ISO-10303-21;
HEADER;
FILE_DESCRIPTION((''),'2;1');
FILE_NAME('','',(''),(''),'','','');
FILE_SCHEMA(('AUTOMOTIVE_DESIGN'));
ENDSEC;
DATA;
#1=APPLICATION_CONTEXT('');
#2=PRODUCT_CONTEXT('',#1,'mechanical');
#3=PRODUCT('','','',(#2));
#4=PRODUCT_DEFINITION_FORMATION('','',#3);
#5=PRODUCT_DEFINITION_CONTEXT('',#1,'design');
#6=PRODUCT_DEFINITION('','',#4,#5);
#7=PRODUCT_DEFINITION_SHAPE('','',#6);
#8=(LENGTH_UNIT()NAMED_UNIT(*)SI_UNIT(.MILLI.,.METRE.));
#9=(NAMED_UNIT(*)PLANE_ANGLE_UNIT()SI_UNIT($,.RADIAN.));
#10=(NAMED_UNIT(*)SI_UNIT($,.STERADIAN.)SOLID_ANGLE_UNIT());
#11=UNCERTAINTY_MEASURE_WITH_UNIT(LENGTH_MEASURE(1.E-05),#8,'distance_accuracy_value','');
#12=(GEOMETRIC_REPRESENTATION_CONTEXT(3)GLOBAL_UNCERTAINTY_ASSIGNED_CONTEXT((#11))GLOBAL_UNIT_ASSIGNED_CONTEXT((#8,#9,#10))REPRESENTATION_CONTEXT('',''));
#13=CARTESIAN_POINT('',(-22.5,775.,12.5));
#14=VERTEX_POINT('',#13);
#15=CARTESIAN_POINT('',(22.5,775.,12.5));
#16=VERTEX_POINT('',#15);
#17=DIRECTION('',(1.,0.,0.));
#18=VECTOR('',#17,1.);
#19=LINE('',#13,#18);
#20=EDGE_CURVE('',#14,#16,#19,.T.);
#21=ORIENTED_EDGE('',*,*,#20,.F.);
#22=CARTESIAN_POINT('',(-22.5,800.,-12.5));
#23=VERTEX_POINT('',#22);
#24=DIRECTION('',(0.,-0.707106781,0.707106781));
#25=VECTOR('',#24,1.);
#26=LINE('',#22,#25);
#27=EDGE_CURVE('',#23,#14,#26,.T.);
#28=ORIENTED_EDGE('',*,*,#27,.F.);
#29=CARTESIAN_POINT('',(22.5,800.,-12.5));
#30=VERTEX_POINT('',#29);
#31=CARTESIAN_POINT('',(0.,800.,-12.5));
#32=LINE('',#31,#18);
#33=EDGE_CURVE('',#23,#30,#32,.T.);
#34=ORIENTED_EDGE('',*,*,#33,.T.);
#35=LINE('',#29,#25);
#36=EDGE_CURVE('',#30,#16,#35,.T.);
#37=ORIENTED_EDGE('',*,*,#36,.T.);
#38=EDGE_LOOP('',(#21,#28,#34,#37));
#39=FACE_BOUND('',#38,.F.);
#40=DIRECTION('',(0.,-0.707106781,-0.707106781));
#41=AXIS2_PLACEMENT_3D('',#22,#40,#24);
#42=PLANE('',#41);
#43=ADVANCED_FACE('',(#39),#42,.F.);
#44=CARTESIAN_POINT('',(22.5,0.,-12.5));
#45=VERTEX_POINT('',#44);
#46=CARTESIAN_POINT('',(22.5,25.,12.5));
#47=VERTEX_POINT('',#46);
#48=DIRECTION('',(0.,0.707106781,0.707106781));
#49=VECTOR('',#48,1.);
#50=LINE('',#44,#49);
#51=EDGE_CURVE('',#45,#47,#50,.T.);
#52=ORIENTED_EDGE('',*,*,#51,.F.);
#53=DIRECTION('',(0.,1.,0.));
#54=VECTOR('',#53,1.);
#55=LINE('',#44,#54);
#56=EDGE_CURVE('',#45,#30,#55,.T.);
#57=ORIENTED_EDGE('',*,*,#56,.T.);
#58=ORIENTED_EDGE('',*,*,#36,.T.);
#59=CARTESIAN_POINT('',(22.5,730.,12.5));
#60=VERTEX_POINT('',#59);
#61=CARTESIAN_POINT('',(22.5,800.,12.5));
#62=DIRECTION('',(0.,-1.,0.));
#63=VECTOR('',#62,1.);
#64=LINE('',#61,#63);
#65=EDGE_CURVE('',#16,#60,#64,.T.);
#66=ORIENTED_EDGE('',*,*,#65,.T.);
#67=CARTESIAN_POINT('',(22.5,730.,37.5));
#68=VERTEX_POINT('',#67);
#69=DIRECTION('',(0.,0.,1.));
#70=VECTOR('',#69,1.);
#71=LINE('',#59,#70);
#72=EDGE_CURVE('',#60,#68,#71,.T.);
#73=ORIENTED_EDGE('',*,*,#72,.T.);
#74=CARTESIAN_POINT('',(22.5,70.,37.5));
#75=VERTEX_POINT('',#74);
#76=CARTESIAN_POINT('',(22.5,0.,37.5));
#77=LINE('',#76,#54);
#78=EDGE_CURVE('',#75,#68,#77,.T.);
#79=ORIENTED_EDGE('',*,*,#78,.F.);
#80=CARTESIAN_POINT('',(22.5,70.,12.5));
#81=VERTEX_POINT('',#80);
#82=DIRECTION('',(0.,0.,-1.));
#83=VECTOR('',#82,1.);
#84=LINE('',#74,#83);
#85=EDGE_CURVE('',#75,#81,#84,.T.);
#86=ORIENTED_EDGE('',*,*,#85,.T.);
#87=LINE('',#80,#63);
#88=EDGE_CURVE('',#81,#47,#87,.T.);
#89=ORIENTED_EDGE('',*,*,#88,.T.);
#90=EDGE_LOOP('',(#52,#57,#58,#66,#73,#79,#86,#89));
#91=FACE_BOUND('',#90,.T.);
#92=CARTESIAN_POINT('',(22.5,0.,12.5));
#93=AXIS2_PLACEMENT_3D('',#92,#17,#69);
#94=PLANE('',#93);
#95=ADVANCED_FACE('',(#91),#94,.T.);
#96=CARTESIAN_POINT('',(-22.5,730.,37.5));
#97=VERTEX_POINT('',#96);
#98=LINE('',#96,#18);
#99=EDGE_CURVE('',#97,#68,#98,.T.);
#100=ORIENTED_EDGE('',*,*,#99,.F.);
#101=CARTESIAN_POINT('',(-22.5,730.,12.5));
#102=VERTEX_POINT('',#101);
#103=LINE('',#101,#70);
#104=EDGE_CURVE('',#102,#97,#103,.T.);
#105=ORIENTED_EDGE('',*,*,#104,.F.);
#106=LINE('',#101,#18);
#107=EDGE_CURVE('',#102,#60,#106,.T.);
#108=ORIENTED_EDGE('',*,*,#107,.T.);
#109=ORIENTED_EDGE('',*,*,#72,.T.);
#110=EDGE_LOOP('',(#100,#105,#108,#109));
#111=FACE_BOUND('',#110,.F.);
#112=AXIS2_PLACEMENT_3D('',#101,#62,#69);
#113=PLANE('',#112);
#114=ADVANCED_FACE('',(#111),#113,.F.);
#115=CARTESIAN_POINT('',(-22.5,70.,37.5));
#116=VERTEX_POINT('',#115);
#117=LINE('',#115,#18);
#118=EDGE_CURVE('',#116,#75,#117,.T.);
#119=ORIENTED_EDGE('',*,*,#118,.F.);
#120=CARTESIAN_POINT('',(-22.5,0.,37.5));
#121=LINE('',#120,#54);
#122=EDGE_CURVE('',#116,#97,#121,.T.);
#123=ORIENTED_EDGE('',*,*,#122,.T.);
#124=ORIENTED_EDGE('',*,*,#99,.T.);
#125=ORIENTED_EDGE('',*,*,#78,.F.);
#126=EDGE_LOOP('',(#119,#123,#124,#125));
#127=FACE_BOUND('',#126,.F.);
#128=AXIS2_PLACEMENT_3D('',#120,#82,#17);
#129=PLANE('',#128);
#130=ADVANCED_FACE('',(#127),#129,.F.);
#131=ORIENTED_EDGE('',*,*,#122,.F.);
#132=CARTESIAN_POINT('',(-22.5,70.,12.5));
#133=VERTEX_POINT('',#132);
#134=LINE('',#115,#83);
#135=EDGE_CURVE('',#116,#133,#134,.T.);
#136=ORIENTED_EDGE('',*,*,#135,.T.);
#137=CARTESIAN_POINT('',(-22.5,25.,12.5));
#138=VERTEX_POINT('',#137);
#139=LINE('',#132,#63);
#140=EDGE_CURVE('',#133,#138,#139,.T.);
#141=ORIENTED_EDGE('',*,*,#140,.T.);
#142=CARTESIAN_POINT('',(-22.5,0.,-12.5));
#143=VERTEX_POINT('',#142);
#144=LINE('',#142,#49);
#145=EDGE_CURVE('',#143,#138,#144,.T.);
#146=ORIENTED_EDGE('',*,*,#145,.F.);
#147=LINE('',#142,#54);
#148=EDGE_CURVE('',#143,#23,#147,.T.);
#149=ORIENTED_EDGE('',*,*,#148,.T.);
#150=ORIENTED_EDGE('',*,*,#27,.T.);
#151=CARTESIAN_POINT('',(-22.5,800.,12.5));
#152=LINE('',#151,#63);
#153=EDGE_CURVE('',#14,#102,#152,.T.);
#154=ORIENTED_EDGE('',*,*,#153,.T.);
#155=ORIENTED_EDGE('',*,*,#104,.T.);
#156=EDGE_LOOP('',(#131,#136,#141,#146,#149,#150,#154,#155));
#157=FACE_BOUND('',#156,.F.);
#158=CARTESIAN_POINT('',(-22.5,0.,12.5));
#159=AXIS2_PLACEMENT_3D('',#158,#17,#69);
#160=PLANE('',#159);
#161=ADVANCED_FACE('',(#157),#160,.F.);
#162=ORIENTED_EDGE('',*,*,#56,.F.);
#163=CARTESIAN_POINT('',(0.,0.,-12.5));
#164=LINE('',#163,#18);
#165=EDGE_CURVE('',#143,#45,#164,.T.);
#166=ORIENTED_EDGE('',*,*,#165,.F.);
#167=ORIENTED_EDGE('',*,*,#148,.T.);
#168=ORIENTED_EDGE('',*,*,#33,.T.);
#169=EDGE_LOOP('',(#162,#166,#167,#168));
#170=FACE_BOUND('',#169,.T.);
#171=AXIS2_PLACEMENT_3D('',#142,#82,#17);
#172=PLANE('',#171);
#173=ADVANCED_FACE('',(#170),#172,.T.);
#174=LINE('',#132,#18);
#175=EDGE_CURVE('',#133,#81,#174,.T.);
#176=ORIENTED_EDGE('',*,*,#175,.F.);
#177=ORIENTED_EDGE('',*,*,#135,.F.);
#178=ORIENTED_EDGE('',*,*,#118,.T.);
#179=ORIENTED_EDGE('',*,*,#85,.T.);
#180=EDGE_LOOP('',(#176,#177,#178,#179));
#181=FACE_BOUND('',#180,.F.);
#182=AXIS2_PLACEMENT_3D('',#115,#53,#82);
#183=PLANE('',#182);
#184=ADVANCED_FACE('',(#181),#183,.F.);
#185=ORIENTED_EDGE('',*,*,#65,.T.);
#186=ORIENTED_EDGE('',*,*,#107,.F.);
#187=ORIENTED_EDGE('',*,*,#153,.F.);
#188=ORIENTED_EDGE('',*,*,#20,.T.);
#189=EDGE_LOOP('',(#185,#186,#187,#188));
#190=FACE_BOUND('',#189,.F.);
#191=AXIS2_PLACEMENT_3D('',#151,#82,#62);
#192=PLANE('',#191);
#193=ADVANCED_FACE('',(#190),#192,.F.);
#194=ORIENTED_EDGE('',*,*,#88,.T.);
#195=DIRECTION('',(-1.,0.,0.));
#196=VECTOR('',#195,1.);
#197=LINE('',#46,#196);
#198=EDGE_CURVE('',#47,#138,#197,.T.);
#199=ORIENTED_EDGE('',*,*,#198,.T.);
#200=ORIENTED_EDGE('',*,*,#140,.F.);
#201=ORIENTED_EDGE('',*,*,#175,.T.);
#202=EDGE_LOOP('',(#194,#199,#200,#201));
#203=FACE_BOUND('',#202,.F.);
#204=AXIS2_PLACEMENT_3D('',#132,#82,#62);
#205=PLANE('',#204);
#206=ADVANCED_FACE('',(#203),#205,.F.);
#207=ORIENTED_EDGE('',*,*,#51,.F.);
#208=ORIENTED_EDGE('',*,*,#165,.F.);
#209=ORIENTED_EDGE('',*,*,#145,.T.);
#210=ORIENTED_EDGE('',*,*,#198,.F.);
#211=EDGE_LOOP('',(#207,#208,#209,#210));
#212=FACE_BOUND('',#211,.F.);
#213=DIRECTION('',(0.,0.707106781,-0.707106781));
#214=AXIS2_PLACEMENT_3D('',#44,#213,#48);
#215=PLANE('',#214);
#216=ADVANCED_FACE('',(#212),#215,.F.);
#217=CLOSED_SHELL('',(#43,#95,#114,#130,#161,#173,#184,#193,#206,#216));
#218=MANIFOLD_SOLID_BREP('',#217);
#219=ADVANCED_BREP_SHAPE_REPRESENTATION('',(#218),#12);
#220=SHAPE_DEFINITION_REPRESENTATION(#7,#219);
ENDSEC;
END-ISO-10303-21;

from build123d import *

# Parameters (mm, degrees)
F0_W      = 45
F0_H      = 25
F1_DEPTH  = 800
F3_DEPTH  = 45
F5_DEPTH  = 45
F6_W      = 45
F6_H      = 25
F7_DEPTH  = 800
F9_DEPTH  = 45
F11_DEPTH = 45


with BuildPart() as f1:
    # F0 (on Front) → F1 (new body)
    with BuildSketch(Plane.XZ):
        Rectangle(F0_W, F0_H)
    extrude(amount=-F1_DEPTH)

    # F2 (on face) → F3 (cut)
    with BuildSketch(Plane.YZ.offset(22.5)):
        Polygon((0, 12.5), (0, -12.5), (25, 12.5), align=None)
    extrude(amount=-F3_DEPTH, mode=Mode.SUBTRACT)

    # F4 (on face) → F5 (cut)
    with BuildSketch(Plane(origin=(-22.5, 0, 0), x_dir=(0, -1, 0), z_dir=(-1, 0, 0))):
        Polygon((-800, 12.5), (-800, -12.5), (-775, 12.5), align=None)
    extrude(amount=-F5_DEPTH, mode=Mode.SUBTRACT)

    # F6 (on Front) → F7 (join)
    with BuildSketch(Plane.XZ):
        with Locations((0, 25)):
            Rectangle(F6_W, F6_H)
    extrude(amount=-F7_DEPTH)

    # F8 (on face) → F9 (cut)
    with BuildSketch(Plane(origin=(-22.5, 0, 0), x_dir=(0, -1, 0), z_dir=(-1, 0, 0))):
        Polygon((-730, 37.5), (-800, 37.5), (-800, 12.5), (-775, 12.5), (-730, 12.5), align=None)
    extrude(amount=-F9_DEPTH, mode=Mode.SUBTRACT)

    # F10 (on face) → F11 (cut)
    with BuildSketch(Plane(origin=(-22.5, 0, 0), x_dir=(0, -1, 0), z_dir=(-1, 0, 0))):
        Polygon((0, 12.5), (0, 37.5), (-70, 37.5), (-70, 12.5), (-25, 12.5), align=None)
    extrude(amount=-F11_DEPTH, mode=Mode.SUBTRACT)


solid = f1.part
